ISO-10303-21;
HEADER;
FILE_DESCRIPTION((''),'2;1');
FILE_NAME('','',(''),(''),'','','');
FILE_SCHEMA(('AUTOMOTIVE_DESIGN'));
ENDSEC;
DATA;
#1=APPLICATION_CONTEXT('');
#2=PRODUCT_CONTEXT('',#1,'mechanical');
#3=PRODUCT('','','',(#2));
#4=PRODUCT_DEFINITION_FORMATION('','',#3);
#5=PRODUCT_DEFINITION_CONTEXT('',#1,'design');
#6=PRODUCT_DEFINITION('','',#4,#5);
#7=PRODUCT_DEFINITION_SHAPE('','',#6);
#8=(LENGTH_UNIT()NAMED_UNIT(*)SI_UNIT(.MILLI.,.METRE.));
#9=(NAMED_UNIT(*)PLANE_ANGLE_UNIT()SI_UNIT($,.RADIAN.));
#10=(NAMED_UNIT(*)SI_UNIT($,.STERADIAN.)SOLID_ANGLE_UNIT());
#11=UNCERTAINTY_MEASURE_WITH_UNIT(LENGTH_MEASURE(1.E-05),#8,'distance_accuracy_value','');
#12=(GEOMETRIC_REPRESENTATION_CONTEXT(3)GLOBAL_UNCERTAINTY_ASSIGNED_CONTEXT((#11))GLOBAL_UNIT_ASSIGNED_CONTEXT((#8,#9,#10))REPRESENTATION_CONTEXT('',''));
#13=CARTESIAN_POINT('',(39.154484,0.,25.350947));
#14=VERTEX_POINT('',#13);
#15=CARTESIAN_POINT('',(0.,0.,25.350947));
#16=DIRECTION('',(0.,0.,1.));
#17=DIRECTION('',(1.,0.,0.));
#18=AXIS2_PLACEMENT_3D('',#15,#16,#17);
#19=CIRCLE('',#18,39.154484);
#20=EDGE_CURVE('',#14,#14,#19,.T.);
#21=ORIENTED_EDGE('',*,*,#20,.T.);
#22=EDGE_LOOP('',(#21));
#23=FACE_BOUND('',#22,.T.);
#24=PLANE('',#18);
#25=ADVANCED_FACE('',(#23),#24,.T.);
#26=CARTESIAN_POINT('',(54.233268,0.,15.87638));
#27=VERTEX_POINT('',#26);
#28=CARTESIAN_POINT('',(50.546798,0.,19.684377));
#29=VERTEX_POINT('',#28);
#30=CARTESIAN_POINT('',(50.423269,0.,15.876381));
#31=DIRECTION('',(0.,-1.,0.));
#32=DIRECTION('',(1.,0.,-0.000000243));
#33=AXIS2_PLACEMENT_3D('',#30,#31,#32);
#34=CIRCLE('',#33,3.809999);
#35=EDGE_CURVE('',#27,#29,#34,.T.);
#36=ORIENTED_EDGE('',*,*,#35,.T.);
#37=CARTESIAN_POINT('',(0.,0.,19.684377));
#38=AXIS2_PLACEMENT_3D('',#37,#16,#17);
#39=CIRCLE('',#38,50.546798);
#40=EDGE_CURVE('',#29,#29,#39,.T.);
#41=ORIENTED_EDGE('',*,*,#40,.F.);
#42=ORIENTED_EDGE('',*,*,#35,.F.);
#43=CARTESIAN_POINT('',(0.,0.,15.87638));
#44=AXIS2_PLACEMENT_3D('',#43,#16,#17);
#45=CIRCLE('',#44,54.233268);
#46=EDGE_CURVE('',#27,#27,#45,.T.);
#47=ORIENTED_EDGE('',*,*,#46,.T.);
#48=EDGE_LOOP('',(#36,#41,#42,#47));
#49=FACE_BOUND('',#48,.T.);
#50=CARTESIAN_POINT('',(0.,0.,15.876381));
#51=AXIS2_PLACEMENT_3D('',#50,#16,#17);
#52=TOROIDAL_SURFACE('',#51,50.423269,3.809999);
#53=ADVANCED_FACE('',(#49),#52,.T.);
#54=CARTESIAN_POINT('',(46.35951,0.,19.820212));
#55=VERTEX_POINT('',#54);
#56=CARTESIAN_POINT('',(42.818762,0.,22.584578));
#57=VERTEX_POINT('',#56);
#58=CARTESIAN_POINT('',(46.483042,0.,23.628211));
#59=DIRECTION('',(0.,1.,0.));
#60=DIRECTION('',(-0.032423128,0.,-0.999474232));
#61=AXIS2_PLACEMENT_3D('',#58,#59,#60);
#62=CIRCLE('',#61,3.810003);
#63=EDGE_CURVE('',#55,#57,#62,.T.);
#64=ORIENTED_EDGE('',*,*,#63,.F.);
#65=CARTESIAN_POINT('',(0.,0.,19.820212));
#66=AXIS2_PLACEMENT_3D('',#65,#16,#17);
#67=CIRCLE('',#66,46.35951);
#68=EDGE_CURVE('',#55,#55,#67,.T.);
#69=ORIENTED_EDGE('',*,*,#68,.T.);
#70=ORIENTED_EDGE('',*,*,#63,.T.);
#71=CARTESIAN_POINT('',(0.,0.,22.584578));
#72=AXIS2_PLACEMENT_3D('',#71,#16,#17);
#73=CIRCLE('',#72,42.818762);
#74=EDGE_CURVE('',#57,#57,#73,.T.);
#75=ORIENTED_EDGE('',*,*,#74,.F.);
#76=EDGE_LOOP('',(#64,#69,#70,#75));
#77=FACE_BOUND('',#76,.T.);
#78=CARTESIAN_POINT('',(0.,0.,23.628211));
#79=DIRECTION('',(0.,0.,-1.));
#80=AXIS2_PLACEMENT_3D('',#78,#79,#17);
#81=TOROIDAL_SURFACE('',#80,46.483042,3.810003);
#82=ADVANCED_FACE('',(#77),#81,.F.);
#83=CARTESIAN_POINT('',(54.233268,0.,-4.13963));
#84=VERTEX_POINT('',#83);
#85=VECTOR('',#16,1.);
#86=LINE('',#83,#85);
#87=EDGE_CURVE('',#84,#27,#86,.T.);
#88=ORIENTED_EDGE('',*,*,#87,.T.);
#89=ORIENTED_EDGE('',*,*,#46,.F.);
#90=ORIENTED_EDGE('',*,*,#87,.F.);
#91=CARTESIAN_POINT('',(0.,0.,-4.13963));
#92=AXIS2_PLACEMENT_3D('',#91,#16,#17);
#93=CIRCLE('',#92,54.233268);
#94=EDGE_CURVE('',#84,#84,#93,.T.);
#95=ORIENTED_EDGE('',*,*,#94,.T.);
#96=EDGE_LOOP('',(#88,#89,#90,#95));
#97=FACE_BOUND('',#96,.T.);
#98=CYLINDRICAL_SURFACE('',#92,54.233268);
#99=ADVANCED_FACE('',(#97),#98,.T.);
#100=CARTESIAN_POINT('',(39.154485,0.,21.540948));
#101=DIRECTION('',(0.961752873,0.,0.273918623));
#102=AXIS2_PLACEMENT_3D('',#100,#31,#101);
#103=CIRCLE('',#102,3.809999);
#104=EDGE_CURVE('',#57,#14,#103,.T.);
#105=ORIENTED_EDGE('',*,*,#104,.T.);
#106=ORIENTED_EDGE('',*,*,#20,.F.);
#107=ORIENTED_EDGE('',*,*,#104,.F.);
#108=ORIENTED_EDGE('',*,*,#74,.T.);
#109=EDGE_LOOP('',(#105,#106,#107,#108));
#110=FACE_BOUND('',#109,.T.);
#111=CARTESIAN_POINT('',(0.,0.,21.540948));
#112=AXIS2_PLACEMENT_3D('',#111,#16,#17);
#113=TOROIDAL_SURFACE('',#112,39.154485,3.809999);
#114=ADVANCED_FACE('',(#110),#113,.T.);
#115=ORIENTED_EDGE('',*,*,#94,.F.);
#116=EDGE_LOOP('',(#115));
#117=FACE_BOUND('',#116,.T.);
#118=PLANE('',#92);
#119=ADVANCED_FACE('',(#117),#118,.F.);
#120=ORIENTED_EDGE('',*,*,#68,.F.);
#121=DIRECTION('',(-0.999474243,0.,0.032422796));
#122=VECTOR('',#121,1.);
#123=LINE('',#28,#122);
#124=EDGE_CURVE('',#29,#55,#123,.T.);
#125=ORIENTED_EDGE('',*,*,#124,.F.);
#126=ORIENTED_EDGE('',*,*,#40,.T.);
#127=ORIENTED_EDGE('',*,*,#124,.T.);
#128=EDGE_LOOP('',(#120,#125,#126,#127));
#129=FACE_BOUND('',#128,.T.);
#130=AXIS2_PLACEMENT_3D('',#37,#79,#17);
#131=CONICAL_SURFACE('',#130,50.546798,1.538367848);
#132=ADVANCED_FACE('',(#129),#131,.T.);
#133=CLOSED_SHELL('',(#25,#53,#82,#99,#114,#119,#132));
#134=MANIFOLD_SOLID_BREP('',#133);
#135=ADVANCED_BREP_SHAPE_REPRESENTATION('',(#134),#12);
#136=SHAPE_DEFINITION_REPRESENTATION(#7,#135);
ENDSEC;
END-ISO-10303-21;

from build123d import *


with BuildPart() as f1:
    # F0 (on Front) → F1 (revolve)
    with BuildSketch(Plane.XZ):
        with BuildLine():
            Line((0, 25.350947), (0, 0))
            Line((0, 0), (0, -4.13963))
            Line((0, -4.13963), (54.233268, -4.13963))
            Line((54.233268, -4.13963), (54.233268, 15.87638))
            ThreePointArc((54.233268, 15.87638), (53.160671, 18.526423), (50.546798, 19.684377))
            Line((50.546798, 19.684377), (46.35951, 19.820212))
            ThreePointArc((46.35951, 19.820212), (44.138408, 20.625078), (42.818762, 22.584578))
            ThreePointArc((42.818762, 22.584578), (41.450118, 24.581698), (39.154484, 25.350947))
            Line((39.154484, 25.350947), (0, 25.350947))
        make_face()
    revolve(axis=Axis((0, 0, 12.675473), (0, 0, 1)))


solid = f1.part
